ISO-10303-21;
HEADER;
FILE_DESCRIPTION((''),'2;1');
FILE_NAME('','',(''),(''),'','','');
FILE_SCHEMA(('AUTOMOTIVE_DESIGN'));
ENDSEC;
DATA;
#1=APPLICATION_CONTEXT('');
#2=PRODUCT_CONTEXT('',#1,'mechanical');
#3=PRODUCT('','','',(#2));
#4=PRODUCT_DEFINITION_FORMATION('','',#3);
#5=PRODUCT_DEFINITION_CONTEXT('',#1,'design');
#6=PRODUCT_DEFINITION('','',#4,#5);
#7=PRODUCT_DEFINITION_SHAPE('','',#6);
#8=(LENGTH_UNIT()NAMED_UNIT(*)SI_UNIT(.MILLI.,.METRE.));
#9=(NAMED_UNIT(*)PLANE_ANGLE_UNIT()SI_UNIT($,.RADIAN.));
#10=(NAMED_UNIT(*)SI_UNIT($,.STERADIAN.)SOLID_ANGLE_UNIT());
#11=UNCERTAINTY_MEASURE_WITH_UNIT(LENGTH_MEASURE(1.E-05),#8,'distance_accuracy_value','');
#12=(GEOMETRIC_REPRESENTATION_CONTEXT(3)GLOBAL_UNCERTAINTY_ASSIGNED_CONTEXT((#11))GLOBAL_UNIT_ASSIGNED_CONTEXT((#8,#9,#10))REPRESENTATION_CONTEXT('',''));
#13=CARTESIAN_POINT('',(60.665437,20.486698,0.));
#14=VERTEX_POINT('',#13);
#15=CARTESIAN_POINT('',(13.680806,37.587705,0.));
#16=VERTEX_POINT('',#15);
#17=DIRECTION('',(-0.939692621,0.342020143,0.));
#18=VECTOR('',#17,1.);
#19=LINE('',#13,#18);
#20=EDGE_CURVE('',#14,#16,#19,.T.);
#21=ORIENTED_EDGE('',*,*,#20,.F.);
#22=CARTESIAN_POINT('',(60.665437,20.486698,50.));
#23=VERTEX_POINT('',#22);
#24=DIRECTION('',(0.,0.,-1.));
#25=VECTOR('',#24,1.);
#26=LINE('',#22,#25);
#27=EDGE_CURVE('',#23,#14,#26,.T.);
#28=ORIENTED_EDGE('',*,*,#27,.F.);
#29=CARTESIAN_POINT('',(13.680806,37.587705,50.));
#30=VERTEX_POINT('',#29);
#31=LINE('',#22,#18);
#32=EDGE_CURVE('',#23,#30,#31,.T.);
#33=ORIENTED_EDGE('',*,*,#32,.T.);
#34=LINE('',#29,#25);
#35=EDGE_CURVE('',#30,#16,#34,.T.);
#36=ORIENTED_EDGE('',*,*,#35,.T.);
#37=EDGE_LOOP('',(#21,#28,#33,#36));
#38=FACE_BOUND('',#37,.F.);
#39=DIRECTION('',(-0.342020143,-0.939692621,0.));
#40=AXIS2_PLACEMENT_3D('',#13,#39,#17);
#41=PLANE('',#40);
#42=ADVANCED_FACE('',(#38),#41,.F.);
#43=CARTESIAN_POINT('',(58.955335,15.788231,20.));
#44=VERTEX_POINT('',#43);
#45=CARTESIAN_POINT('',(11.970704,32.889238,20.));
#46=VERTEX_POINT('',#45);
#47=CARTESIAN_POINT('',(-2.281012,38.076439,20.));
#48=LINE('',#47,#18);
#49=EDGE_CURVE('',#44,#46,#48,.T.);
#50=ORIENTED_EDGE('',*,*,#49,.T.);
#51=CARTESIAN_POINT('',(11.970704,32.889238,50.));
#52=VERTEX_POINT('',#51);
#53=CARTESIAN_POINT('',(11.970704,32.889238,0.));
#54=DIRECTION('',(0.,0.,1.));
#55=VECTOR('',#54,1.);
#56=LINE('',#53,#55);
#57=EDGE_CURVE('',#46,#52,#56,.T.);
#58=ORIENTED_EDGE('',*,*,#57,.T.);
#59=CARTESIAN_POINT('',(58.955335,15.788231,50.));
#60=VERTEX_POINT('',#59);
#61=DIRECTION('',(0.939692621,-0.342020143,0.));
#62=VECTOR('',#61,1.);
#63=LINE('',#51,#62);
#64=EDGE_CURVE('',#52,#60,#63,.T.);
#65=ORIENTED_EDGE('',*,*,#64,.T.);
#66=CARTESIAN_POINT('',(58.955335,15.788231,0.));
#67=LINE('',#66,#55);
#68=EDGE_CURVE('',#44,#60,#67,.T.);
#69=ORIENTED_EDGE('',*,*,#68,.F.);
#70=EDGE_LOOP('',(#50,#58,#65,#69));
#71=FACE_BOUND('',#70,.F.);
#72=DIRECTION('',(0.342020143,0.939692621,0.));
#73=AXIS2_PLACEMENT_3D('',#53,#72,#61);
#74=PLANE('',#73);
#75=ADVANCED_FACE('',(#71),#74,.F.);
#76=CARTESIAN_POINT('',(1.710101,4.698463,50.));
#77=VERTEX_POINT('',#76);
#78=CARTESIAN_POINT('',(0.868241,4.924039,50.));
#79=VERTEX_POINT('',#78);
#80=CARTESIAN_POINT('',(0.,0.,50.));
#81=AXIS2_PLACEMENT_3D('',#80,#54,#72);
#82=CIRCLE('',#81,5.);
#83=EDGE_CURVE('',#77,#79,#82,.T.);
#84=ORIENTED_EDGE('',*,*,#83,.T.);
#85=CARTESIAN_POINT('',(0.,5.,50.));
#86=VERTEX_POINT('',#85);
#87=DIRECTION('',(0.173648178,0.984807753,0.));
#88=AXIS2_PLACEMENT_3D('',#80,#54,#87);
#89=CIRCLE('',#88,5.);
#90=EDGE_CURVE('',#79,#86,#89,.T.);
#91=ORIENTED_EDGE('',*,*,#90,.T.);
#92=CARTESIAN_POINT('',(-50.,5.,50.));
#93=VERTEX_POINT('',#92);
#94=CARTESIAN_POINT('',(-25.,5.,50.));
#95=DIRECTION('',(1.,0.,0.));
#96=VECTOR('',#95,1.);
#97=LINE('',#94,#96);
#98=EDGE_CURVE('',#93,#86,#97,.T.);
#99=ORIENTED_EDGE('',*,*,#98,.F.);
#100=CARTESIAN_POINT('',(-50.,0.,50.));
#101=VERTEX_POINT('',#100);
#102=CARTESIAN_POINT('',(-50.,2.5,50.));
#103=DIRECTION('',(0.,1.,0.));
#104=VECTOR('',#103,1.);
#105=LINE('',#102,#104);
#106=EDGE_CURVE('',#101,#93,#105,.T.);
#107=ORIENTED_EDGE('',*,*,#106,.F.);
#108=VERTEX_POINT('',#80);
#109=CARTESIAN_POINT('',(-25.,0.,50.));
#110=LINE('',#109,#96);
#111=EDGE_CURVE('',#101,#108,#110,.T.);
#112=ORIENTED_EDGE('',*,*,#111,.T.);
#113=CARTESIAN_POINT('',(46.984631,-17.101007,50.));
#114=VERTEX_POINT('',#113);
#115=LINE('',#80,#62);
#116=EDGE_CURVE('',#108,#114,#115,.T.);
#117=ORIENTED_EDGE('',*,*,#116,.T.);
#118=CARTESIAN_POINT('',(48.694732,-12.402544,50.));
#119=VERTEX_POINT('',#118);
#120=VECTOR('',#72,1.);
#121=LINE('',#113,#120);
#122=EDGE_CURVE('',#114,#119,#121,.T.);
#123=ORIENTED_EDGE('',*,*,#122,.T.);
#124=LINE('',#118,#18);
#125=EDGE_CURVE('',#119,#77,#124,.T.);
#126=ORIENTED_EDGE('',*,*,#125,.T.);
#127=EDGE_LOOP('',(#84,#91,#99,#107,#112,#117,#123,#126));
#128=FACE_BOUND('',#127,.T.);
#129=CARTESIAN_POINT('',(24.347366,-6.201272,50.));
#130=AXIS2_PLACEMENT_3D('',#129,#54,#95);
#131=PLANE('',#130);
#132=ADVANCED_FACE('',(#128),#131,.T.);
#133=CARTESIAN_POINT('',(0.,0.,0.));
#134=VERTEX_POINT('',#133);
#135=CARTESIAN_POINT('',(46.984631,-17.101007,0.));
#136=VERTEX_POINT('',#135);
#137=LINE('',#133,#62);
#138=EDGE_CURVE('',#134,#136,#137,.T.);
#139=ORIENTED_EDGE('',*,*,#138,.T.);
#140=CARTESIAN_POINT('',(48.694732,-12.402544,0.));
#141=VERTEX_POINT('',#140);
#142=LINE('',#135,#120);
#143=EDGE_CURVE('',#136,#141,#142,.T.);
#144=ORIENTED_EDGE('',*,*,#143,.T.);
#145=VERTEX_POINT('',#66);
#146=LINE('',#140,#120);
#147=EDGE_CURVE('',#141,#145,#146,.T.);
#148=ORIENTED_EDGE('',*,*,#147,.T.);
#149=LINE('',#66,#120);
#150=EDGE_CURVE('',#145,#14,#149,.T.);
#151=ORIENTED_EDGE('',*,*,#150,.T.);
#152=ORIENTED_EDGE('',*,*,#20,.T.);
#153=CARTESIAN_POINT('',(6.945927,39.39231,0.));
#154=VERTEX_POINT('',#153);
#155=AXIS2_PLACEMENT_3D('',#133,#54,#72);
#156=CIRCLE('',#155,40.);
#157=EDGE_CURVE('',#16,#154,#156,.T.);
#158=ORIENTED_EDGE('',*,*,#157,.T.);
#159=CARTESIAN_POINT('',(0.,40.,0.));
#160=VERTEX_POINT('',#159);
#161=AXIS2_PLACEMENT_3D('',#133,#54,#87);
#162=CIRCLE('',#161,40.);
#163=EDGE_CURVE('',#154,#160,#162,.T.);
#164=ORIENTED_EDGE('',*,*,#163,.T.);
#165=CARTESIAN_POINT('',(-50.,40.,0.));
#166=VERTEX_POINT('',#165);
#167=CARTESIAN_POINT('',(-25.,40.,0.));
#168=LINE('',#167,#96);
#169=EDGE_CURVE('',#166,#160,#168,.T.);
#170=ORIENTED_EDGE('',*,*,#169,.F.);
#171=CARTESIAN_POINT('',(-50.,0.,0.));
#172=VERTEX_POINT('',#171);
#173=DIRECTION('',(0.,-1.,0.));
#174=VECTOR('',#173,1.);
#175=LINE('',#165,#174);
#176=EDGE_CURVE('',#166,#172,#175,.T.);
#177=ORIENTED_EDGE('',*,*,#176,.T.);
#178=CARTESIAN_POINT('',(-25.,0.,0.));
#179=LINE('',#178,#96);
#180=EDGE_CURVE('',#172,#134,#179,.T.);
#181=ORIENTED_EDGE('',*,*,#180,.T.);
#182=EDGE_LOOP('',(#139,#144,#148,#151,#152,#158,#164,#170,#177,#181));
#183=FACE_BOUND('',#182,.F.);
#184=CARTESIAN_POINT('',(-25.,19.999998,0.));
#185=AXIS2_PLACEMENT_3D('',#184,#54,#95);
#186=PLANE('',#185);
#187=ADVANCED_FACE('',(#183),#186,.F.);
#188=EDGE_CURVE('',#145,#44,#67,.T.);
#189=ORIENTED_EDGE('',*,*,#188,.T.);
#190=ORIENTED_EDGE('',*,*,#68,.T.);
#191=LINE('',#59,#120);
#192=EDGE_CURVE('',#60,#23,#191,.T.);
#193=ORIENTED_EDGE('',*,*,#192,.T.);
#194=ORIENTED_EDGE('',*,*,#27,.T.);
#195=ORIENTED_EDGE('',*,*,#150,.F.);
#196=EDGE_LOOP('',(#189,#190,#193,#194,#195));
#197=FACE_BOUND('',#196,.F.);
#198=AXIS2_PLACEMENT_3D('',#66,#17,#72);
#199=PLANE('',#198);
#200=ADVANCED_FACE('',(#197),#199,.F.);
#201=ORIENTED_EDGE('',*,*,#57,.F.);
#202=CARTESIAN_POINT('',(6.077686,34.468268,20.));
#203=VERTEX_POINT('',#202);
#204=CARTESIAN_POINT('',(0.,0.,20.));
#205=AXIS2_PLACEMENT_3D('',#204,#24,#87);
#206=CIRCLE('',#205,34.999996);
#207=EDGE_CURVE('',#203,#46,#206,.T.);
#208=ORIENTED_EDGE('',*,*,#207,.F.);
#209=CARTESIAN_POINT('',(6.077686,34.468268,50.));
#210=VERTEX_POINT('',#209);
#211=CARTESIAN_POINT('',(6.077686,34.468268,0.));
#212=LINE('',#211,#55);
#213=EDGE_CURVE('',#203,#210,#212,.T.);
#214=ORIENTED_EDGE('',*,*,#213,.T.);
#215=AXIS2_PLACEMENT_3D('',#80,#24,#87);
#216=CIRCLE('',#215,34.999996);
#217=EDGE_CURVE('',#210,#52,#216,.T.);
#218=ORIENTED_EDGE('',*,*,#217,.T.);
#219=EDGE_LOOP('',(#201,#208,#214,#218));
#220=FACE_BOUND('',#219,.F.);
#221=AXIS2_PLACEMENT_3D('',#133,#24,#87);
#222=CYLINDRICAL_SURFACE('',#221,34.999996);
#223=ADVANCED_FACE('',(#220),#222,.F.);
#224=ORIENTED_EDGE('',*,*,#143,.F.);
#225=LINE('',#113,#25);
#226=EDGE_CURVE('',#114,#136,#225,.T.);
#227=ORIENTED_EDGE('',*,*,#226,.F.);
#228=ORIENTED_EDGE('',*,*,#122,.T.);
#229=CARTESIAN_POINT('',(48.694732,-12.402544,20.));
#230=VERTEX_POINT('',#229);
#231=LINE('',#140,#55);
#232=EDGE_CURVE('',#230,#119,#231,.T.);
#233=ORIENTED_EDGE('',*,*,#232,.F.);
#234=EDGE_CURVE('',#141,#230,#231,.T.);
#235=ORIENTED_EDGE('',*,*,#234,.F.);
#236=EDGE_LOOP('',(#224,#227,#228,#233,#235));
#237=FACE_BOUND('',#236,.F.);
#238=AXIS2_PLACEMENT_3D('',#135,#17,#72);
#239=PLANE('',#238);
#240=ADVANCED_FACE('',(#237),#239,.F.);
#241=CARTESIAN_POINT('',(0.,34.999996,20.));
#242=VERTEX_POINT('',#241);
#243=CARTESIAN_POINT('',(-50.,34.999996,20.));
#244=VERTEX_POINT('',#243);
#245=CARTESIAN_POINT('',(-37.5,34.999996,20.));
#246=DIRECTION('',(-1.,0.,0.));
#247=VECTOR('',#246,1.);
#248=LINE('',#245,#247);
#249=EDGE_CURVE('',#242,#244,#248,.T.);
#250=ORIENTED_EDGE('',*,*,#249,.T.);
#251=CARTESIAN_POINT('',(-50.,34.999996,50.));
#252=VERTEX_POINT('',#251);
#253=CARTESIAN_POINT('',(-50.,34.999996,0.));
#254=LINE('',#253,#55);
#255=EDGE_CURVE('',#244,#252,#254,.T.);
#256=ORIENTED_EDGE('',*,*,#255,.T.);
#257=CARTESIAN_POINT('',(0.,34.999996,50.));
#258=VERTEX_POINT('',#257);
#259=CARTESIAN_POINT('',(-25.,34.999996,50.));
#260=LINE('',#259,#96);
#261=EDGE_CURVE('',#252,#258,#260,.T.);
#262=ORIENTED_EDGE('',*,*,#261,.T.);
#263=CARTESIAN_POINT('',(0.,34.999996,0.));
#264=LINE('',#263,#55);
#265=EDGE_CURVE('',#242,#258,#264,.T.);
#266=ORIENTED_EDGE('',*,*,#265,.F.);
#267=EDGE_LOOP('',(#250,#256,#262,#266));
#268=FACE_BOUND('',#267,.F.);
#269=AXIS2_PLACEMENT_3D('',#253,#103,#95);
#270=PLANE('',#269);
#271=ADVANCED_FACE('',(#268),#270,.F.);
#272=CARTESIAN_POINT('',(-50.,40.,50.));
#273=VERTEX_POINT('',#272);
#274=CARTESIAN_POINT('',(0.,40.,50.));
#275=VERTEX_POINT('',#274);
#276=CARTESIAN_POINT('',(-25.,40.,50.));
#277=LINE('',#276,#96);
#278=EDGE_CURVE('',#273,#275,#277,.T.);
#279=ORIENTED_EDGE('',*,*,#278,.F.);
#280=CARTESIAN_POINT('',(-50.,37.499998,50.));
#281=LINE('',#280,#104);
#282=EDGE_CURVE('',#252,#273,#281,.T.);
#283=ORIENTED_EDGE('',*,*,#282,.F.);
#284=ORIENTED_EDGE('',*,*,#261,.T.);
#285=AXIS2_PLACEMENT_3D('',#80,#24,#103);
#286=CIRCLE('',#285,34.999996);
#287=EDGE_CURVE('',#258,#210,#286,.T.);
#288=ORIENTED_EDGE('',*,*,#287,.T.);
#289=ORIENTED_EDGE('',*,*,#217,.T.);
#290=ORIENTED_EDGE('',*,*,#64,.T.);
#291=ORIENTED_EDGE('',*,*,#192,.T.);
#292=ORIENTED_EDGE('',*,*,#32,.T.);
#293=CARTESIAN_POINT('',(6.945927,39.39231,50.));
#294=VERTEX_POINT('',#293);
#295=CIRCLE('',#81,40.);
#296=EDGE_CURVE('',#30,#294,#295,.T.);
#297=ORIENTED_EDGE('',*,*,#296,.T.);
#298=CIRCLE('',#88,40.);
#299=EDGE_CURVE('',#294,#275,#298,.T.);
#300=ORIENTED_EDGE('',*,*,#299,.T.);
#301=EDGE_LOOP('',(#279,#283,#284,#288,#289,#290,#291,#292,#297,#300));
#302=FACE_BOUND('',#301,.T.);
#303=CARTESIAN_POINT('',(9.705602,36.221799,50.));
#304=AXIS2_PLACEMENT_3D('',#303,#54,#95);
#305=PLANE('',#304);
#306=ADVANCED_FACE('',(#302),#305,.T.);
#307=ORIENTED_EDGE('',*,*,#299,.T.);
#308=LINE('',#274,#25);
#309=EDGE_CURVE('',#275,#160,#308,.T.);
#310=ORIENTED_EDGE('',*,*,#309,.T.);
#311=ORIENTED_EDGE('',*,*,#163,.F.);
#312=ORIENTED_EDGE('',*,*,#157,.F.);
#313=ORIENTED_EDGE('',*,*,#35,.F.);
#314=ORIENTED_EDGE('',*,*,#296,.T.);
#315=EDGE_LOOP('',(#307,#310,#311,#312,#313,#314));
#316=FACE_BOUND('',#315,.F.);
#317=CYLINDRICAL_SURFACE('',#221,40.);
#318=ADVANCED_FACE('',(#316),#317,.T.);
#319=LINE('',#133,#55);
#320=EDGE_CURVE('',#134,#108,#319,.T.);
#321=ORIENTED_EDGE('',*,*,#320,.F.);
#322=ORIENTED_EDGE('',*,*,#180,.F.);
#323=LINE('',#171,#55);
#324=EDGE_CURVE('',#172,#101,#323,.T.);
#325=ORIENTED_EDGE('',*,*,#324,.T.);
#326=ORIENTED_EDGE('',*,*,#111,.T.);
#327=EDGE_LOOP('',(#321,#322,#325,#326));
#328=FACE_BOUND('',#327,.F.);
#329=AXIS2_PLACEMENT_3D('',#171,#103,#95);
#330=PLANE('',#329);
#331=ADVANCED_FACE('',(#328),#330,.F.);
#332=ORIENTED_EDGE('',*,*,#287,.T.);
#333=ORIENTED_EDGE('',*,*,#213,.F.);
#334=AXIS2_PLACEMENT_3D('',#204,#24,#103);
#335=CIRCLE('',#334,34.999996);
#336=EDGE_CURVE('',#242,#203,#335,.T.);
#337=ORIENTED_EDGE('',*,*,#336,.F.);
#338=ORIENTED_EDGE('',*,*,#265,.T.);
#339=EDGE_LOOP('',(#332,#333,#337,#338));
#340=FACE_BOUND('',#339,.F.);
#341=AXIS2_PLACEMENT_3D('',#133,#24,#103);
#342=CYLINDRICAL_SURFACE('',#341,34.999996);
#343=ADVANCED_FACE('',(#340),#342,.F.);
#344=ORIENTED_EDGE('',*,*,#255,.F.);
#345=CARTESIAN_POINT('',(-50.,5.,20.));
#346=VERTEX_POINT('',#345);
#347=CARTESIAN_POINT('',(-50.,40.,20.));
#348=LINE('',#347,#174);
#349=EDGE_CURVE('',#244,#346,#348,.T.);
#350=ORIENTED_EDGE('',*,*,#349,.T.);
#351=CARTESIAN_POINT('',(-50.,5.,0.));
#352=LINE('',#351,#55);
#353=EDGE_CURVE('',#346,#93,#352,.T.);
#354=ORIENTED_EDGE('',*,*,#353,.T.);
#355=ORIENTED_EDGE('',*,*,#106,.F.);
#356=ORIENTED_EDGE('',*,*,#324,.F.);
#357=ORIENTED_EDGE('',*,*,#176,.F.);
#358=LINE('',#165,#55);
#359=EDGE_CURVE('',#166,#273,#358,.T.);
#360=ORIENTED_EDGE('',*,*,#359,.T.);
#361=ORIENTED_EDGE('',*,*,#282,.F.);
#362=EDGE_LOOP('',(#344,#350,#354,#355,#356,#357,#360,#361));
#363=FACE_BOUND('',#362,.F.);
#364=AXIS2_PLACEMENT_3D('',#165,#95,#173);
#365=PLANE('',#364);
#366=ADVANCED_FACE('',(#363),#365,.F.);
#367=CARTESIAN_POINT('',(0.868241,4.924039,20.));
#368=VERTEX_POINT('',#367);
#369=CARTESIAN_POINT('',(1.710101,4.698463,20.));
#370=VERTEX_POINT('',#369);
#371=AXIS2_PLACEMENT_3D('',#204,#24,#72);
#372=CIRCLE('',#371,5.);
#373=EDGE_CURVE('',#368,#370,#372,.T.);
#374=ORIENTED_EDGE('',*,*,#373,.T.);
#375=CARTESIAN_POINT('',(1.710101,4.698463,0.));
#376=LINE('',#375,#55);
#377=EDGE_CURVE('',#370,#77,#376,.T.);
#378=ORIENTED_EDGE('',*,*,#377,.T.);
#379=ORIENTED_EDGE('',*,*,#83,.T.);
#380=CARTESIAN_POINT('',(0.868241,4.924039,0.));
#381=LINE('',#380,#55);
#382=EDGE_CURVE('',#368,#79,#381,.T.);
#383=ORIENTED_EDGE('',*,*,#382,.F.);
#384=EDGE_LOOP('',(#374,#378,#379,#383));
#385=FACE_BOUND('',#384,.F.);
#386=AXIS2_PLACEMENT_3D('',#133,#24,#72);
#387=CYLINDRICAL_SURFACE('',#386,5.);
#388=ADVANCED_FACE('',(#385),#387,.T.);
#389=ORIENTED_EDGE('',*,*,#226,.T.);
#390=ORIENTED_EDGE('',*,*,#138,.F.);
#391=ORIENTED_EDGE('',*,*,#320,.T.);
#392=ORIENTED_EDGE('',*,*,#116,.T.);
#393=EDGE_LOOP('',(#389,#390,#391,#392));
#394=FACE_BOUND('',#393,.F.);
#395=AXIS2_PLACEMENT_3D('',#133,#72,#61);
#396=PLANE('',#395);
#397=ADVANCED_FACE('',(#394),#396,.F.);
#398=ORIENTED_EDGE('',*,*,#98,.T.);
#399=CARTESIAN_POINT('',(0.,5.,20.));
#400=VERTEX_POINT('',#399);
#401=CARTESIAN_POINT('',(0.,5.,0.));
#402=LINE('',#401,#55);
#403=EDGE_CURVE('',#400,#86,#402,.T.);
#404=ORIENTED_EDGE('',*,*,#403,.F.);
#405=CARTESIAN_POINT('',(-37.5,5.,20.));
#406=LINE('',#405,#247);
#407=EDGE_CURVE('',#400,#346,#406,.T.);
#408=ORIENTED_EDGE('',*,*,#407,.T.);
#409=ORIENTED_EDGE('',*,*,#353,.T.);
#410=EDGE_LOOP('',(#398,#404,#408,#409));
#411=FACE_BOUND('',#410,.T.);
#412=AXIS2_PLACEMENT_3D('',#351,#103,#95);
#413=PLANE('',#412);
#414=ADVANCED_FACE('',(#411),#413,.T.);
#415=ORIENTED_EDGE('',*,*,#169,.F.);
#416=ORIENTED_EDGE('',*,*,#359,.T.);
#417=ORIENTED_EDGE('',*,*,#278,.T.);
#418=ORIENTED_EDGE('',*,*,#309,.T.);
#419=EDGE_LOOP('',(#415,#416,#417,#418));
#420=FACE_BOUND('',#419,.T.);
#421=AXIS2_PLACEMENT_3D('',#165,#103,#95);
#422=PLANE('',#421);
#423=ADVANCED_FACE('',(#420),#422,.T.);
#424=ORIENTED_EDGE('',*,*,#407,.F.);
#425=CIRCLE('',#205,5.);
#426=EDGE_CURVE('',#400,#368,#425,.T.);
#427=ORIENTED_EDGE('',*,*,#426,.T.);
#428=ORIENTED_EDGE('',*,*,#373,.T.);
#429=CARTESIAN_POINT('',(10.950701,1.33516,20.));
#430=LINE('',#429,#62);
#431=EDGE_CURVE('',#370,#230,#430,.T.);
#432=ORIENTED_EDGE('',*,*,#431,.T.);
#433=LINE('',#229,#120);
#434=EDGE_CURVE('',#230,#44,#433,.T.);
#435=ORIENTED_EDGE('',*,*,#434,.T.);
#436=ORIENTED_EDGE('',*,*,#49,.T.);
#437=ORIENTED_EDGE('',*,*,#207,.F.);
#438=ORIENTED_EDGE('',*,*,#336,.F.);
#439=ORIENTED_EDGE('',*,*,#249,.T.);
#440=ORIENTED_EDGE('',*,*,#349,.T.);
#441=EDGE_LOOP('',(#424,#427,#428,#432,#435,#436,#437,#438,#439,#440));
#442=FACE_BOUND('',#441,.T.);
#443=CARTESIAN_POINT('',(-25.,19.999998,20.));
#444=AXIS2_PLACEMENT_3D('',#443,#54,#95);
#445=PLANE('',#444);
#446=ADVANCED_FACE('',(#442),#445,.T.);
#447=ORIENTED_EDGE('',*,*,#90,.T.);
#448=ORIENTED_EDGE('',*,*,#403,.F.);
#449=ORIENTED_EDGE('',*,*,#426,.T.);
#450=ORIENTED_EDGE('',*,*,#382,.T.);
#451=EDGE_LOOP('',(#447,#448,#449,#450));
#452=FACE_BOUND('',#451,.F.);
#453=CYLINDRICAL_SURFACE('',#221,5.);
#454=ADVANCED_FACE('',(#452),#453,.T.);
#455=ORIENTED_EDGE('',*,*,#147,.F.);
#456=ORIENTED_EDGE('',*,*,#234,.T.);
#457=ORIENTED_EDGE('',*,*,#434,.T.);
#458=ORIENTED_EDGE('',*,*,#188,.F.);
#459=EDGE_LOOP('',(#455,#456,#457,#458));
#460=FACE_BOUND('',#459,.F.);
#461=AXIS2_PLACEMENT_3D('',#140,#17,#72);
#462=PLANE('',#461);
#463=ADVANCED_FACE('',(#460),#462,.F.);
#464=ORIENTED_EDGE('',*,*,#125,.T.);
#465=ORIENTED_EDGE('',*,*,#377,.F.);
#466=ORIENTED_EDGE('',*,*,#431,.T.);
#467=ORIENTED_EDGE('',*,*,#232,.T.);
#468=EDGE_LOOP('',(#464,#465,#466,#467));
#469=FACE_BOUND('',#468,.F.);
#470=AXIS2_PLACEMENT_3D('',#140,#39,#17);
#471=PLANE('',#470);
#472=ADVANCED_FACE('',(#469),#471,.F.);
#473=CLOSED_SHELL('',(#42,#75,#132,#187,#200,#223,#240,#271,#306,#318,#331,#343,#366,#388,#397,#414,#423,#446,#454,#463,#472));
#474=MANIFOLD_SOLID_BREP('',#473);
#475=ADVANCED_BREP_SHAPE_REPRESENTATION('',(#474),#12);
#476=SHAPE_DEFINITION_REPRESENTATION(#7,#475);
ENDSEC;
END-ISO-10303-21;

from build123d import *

# Parameters (mm, degrees)
F0_W     = 50
F0_H     = 29.9999964237
F0_H_2   = 5.0000035763
F0_H_3   = 5
F1_DEPTH = 20
F2_DEPTH = 50


with BuildPart() as f1:
    # F0 (on Top) → F1 (new body)
    with BuildSketch(Plane.XY):
        with Locations((-25, 19.9999982119)):
            Rectangle(F0_W, F0_H)
        with Locations((-25, 37.4999982119)):
            Rectangle(F0_W, F0_H_2)
        with Locations((-25, 2.5)):
            Rectangle(F0_W, F0_H_3)
        with BuildLine():
            Line((0, 34.9999964237), (0, 5))
            ThreePointArc((0, 5), (0.4357787137, 4.9809734905), (0.8682408883, 4.9240387651))
            Line((0.8682408883, 4.9240387651), (6.0776855973, 34.4682678335))
            ThreePointArc((6.0776855973, 34.4682678335), (3.0504506845, 34.8668108705), (0, 34.9999964237))
        make_face()
        with BuildLine():
            Line((6.0776855973, 34.4682678335), (0.8682408883, 4.9240387651))
            ThreePointArc((0.8682408883, 4.9240387651), (1.2940952255, 4.8296291314), (1.7101007166, 4.6984631039))
            Line((1.7101007166, 4.6984631039), (11.9707037932, 32.8892383669))
            ThreePointArc((11.9707037932, 32.8892383669), (9.058665653, 33.8074004657), (6.0776855973, 34.4682678335))
        make_face()
        with BuildLine():
            Line((6.9459271067, 39.3923101205), (6.0776855973, 34.4682678335))
            ThreePointArc((6.0776855973, 34.4682678335), (9.058665653, 33.8074004657), (11.9707037932, 32.8892383669))
            Line((11.9707037932, 32.8892383669), (13.680805733, 37.5877048314))
            ThreePointArc((13.680805733, 37.5877048314), (10.3527618041, 38.6370330516), (6.9459271067, 39.3923101205))
        make_face()
        with BuildLine():
            Line((0, 40), (0, 34.9999964237))
            ThreePointArc((0, 34.9999964237), (3.0504506845, 34.8668108705), (6.0776855973, 34.4682678335))
            Line((6.0776855973, 34.4682678335), (6.9459271067, 39.3923101205))
            ThreePointArc((6.9459271067, 39.3923101205), (3.4862297099, 39.8477879237), (0, 40))
        make_face()
        with BuildLine():
            Line((0, 5), (0, 0))
            Line((0, 0), (0.8682408883, 4.9240387651))
            ThreePointArc((0.8682408883, 4.9240387651), (0.4357787137, 4.9809734905), (0, 5))
        make_face()
        with BuildLine():
            Line((0.8682408883, 4.9240387651), (0, 0))
            Line((0, 0), (1.7101007166, 4.6984631039))
            ThreePointArc((1.7101007166, 4.6984631039), (1.2940952255, 4.8296291314), (0.8682408883, 4.9240387651))
        make_face()
        Polygon((1.7101007166, 4.6984631039), (0, 0), (46.9846310393, -17.1010071663), (48.6947317559, -12.4025440624), align=None)
        Polygon((11.9707037932, 32.8892383669), (1.7101007166, 4.6984631039), (48.6947317559, -12.4025440624), (58.9553348325, 15.7882312006), align=None)
        Polygon((13.680805733, 37.5877048314), (11.9707037932, 32.8892383669), (58.9553348325, 15.7882312006), (60.6654367723, 20.4866976652), align=None)
    extrude(amount=F1_DEPTH)

    # F0 (on Top) → F2 (join)
    with BuildSketch(Plane.XY):
        with BuildLine():
            Line((6.9459271067, 39.3923101205), (6.0776855973, 34.4682678335))
            ThreePointArc((6.0776855973, 34.4682678335), (9.058665653, 33.8074004657), (11.9707037932, 32.8892383669))
            Line((11.9707037932, 32.8892383669), (13.680805733, 37.5877048314))
            ThreePointArc((13.680805733, 37.5877048314), (10.3527618041, 38.6370330516), (6.9459271067, 39.3923101205))
        make_face()
        Polygon((13.680805733, 37.5877048314), (11.9707037932, 32.8892383669), (58.9553348325, 15.7882312006), (60.6654367723, 20.4866976652), align=None)
        with BuildLine():
            Line((0, 40), (0, 34.9999964237))
            ThreePointArc((0, 34.9999964237), (3.0504506845, 34.8668108705), (6.0776855973, 34.4682678335))
            Line((6.0776855973, 34.4682678335), (6.9459271067, 39.3923101205))
            ThreePointArc((6.9459271067, 39.3923101205), (3.4862297099, 39.8477879237), (0, 40))
        make_face()
        with Locations((-25, 37.4999982119)):
            Rectangle(F0_W, F0_H_2)
        Polygon((1.7101007166, 4.6984631039), (0, 0), (46.9846310393, -17.1010071663), (48.6947317559, -12.4025440624), align=None)
        with Locations((-25, 2.5)):
            Rectangle(F0_W, F0_H_3)
        with BuildLine():
            Line((0, 5), (0, 0))
            Line((0, 0), (0.8682408883, 4.9240387651))
            ThreePointArc((0.8682408883, 4.9240387651), (0.4357787137, 4.9809734905), (0, 5))
        make_face()
        with BuildLine():
            Line((0.8682408883, 4.9240387651), (0, 0))
            Line((0, 0), (1.7101007166, 4.6984631039))
            ThreePointArc((1.7101007166, 4.6984631039), (1.2940952255, 4.8296291314), (0.8682408883, 4.9240387651))
        make_face()
    extrude(amount=F2_DEPTH)


solid = f1.part
